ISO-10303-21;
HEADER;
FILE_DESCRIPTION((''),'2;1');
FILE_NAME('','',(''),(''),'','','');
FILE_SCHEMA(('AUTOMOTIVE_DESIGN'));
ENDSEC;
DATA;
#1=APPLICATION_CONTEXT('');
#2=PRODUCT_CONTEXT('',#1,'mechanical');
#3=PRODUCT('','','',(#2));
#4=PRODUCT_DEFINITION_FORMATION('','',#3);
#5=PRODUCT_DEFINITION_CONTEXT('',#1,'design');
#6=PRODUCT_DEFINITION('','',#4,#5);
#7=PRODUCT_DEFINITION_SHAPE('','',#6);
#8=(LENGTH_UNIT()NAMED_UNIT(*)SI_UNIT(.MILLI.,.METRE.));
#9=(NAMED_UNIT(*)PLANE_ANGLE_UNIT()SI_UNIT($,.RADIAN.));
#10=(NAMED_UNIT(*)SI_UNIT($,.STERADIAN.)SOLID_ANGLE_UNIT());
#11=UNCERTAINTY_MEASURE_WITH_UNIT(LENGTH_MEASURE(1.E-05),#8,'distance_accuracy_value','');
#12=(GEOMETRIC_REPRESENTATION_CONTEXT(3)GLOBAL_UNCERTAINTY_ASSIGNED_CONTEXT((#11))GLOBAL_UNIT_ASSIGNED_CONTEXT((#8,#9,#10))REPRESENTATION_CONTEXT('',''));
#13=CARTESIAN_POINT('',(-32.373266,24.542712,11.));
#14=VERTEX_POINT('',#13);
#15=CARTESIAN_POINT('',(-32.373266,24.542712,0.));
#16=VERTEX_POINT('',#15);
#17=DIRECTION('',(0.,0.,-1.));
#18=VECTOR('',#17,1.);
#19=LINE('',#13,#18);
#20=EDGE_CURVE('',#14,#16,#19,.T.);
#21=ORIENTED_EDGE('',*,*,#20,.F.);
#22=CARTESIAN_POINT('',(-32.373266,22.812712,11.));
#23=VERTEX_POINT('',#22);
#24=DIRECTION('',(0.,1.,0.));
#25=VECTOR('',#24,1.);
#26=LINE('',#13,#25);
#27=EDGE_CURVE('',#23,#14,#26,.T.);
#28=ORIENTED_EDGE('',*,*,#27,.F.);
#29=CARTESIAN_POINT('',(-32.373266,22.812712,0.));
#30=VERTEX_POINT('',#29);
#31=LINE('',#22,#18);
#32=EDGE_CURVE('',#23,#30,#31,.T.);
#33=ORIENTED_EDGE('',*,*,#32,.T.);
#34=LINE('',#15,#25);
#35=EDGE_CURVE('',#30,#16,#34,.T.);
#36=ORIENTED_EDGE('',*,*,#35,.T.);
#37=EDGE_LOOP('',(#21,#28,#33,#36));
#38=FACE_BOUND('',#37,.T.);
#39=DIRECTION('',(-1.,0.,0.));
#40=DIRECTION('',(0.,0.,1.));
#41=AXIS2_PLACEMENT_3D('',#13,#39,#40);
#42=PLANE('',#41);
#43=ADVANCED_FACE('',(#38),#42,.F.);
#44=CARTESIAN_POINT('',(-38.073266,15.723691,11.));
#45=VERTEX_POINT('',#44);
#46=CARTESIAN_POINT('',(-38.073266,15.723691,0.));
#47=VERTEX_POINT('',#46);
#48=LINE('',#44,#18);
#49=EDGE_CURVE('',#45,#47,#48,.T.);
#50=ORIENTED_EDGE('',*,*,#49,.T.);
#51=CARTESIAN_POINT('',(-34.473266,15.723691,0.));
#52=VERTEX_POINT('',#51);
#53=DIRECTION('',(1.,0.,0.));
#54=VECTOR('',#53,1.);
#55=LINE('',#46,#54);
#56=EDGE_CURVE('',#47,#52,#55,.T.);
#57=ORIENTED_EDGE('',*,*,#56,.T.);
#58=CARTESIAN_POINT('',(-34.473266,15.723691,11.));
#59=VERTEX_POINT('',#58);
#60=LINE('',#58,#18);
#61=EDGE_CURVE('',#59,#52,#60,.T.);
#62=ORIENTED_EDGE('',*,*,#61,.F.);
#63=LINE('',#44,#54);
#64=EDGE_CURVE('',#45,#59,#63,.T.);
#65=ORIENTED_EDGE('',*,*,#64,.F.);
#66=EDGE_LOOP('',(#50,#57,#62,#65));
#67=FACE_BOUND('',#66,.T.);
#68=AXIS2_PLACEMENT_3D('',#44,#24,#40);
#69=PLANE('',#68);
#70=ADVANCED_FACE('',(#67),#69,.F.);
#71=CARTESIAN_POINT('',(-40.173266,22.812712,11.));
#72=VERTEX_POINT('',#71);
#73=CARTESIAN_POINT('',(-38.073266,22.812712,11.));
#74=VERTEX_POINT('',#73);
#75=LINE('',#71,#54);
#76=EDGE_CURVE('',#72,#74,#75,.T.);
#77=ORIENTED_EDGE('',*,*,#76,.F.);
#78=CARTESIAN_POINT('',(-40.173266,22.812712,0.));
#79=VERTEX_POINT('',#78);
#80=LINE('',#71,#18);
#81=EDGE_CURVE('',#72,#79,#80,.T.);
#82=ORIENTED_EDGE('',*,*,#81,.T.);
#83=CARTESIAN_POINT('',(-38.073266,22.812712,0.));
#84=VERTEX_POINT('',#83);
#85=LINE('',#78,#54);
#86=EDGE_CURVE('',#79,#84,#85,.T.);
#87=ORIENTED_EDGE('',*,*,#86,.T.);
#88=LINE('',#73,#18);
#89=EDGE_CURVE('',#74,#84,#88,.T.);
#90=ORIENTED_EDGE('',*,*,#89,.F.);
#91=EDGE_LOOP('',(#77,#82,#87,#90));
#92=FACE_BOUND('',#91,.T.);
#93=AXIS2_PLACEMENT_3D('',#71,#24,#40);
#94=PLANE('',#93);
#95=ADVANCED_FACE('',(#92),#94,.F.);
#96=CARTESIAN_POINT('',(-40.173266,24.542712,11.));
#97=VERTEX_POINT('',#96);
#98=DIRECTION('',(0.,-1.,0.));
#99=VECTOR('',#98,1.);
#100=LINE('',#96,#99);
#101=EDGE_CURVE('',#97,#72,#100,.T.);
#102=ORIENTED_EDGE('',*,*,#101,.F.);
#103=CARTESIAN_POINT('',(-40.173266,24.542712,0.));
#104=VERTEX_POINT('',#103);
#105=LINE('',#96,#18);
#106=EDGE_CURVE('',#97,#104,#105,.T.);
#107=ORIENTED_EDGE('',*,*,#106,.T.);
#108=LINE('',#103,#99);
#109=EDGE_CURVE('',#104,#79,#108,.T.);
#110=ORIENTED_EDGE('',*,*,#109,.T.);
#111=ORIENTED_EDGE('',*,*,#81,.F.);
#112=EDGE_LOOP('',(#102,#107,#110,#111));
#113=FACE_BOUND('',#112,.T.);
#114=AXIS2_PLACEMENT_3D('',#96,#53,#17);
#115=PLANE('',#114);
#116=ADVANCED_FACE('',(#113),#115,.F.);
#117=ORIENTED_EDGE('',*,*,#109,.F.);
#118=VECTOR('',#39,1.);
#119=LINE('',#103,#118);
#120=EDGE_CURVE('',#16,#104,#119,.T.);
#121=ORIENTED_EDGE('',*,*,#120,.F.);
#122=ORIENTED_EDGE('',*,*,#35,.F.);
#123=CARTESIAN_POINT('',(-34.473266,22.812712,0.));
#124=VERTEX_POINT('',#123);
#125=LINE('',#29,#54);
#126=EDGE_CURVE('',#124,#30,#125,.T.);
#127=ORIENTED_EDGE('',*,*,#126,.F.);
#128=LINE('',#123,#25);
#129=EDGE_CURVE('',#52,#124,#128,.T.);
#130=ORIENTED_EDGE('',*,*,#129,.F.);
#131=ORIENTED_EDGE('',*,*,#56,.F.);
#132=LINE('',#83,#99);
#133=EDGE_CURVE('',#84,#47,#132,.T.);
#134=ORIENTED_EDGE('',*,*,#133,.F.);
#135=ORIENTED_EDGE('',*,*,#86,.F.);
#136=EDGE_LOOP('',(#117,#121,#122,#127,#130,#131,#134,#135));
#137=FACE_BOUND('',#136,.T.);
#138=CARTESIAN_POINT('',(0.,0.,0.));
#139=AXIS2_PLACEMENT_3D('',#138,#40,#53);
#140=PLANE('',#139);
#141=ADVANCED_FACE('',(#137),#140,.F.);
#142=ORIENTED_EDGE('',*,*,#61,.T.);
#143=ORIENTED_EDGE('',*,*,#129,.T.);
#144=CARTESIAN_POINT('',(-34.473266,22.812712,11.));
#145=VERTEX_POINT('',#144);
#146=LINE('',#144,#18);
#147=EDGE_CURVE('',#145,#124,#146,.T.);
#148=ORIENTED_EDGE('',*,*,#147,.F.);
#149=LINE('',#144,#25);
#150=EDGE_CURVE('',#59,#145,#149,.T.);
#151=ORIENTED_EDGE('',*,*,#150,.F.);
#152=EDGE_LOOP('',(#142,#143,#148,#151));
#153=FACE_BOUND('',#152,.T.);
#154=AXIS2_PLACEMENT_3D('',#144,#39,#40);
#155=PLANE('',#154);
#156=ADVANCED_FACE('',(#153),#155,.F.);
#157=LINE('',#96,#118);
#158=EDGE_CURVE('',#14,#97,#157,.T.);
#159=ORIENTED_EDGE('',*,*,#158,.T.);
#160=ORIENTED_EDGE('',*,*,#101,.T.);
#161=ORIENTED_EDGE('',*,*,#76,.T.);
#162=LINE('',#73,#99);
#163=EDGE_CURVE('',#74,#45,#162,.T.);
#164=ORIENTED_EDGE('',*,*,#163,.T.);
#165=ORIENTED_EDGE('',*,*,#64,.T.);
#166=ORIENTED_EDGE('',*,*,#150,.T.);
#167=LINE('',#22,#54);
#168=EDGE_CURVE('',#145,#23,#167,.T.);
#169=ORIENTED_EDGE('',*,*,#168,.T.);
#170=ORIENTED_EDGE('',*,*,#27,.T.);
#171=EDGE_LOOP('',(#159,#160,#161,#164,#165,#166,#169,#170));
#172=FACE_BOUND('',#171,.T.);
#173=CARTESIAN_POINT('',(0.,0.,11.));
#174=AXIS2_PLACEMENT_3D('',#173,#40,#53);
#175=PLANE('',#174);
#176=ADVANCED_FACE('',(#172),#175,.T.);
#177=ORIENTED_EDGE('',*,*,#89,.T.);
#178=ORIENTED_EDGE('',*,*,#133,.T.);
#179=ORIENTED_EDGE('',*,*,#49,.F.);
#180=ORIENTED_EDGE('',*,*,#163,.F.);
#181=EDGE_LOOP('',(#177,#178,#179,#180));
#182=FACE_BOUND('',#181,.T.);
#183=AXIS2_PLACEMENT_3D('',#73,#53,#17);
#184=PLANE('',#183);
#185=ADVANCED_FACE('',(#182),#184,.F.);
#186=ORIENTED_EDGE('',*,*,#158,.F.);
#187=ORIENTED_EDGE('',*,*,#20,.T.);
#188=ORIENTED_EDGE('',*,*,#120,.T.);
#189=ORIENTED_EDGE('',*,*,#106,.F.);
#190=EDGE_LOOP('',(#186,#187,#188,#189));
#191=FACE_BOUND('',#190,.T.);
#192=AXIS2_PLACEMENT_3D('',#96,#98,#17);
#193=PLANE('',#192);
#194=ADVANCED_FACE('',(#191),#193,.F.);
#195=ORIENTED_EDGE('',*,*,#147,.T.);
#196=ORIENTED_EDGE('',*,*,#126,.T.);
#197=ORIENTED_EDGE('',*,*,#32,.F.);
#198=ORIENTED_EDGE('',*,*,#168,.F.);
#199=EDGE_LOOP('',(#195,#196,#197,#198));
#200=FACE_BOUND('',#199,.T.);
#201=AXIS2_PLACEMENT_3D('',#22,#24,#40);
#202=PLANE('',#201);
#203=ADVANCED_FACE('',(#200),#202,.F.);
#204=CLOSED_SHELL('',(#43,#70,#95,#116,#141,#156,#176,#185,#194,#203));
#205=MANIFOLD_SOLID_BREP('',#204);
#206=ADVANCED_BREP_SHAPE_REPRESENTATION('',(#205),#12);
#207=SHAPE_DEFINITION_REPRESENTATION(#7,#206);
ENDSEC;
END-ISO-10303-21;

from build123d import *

# Parameters (mm, degrees)
BOSS_EXTRUDE1_DEPTH = 11


with BuildPart() as part:
    # Sketch1 → Boss-Extrude1 (new body)
    with BuildSketch(Plane.XY):
        Polygon((-40.173265573, 24.542711732), (-32.373265573, 24.542711732), (-32.373265573, 22.812711732), (-34.473265573, 22.812711732), (-34.473265573, 15.723691168), (-38.073265573, 15.723691168), (-38.073265573, 22.812711732), (-40.173265573, 22.812711732), align=None)
    extrude(amount=BOSS_EXTRUDE1_DEPTH)


solid = part.part
